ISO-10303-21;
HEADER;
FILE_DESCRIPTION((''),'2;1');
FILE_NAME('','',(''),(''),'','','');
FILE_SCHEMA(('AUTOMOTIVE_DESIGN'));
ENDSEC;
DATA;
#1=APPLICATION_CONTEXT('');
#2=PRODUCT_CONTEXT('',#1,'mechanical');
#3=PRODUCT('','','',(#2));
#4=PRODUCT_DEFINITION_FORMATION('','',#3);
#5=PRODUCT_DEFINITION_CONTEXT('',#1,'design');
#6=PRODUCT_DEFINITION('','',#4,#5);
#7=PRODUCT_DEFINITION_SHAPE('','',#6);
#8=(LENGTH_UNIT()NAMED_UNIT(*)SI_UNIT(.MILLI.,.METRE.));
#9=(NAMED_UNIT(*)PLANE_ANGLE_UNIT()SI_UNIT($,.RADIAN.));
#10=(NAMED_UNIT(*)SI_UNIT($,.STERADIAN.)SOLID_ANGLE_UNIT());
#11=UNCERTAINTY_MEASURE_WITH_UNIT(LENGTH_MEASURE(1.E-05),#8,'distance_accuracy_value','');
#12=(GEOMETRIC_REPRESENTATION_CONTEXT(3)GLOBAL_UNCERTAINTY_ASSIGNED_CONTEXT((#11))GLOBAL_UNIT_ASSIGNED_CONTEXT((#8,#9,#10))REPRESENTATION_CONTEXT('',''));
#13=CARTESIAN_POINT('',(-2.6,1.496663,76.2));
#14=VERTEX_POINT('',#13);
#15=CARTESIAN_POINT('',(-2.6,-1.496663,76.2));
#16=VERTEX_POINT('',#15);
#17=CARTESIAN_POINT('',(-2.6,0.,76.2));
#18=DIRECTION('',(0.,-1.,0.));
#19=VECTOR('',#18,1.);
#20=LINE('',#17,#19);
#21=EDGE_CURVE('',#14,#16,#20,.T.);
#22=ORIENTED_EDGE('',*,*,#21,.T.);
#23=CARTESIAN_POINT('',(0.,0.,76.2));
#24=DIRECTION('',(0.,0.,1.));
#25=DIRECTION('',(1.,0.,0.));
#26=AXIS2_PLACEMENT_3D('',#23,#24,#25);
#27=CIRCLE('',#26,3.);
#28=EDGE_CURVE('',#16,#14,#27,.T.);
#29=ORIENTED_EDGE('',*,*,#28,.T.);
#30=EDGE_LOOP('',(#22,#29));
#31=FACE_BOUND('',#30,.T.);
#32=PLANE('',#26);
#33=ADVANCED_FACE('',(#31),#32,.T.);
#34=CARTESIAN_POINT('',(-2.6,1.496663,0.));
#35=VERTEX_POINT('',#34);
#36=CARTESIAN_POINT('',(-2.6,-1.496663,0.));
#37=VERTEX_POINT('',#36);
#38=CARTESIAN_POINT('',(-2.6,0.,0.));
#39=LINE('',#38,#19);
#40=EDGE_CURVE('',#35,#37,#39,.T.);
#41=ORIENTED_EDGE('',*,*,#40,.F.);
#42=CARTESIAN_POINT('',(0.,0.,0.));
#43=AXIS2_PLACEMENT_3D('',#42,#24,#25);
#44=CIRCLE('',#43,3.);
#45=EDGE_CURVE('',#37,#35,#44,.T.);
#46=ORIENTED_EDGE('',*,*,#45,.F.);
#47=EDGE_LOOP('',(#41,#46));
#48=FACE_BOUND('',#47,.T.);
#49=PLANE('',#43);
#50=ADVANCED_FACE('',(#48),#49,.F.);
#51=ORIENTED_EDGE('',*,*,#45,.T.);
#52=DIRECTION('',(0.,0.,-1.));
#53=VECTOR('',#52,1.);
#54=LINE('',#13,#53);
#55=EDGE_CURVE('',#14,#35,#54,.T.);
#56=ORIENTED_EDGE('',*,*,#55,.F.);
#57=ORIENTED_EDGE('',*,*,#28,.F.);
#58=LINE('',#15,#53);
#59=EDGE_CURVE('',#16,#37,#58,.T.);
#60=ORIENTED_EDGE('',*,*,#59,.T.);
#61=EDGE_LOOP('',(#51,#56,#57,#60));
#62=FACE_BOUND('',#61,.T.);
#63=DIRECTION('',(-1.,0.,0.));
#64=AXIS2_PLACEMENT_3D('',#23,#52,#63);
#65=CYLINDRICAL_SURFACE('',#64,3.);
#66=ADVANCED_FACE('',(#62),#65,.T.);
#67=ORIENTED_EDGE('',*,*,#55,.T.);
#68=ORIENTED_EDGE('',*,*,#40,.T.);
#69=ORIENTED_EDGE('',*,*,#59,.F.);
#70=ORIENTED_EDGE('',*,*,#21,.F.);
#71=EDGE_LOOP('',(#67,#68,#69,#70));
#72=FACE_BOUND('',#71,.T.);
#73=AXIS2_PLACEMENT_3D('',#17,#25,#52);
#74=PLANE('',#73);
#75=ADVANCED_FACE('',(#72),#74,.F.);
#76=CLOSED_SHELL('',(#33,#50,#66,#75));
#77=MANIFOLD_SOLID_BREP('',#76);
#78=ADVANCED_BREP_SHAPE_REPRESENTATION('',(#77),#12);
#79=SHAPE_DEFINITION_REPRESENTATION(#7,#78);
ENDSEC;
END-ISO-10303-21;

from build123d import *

# Parameters (mm, degrees)
BOSS_EXTRUDE1_DEPTH = 76.2


with BuildPart() as part:
    # Sketch1 → Boss-Extrude1 (new body)
    with BuildSketch(Plane.XY):
        with BuildLine():
            Line((-2.599999976, 0), (-2.599999976, 1.496662996))
            ThreePointArc((-2.599999976, 1.496662996), (3, 0), (-2.599999976, -1.496662996))
            Line((-2.599999976, -1.496662996), (-2.599999976, 0))
        make_face()
    extrude(amount=BOSS_EXTRUDE1_DEPTH)


solid = part.part
